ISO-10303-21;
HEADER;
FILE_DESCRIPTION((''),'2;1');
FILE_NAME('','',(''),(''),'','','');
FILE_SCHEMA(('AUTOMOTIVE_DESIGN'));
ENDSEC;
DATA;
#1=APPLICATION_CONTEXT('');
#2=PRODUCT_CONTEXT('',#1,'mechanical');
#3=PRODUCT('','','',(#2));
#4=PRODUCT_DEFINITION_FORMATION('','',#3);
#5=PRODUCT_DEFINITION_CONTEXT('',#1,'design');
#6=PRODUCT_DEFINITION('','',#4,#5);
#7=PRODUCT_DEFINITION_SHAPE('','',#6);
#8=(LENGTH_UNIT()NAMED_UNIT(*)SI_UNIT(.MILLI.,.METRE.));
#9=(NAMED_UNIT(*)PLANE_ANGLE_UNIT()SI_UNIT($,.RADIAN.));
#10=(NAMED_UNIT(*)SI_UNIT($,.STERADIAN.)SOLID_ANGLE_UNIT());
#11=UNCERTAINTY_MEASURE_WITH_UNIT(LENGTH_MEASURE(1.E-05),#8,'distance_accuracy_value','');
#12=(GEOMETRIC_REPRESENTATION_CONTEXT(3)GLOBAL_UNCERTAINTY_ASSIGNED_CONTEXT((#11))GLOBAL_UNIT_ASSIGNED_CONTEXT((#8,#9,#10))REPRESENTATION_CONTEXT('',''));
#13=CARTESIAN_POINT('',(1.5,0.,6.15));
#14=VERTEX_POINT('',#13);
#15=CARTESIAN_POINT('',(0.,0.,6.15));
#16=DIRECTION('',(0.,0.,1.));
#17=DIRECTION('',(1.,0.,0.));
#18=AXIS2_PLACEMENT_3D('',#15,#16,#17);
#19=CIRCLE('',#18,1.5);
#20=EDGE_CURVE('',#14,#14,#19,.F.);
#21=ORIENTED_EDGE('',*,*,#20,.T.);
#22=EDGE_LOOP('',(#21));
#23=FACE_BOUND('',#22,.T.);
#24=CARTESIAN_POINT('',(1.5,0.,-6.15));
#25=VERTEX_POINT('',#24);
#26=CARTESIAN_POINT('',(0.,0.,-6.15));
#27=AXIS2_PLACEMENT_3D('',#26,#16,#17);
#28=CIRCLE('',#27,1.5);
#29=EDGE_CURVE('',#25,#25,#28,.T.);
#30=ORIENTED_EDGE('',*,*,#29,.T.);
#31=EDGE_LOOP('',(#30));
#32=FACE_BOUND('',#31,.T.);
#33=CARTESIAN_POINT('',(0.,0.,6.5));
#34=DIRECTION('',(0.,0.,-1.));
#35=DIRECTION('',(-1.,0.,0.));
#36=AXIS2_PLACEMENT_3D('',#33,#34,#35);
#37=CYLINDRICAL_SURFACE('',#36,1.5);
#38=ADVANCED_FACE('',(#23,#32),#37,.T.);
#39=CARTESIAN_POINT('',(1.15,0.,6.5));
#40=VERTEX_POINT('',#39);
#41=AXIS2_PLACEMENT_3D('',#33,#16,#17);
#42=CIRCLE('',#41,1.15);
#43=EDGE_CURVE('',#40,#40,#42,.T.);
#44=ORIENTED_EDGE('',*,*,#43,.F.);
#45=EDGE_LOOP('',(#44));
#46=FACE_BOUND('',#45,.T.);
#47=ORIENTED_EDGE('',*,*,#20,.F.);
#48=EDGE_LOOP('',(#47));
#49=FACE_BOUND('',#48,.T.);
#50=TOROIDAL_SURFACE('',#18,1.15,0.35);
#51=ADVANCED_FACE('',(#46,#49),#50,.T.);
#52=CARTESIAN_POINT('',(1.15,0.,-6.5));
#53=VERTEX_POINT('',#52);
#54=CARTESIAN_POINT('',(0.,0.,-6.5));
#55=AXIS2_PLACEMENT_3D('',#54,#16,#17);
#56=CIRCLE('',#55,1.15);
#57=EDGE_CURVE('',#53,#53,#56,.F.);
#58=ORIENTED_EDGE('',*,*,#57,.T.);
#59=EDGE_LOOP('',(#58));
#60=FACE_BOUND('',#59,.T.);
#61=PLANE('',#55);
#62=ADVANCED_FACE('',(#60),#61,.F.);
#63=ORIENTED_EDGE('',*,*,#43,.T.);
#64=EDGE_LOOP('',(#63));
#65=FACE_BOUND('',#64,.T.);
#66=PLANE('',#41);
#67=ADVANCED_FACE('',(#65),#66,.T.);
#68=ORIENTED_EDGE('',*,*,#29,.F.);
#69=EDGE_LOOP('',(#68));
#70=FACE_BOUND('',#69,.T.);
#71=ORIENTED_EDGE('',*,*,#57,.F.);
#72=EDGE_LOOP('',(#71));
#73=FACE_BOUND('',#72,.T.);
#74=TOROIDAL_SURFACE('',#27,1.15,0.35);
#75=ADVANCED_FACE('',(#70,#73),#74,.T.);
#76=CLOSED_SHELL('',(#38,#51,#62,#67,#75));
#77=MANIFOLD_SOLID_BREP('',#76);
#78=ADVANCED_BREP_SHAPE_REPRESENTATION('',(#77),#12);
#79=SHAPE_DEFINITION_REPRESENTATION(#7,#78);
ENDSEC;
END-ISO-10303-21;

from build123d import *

# Parameters (mm, degrees)
SKETCH1_R           = 1.5
BOSS_EXTRUDE1_DEPTH = 6.5
FILLET1_R           = 0.35


with BuildPart() as part:
    # Sketch1 → Boss-Extrude1 (new body, symmetric)
    with BuildSketch(Plane.XY):
        Circle(SKETCH1_R)
    extrude(amount=BOSS_EXTRUDE1_DEPTH, both=True)

    # Fillet1
    fillet1_edges = [part.edges().sort_by_distance(p)[0] for p in [
        (-1.5, 0, -6.5),
        (-1.5, 0, 6.5),
    ]]
    fillet(fillet1_edges, radius=FILLET1_R)


solid = part.part
